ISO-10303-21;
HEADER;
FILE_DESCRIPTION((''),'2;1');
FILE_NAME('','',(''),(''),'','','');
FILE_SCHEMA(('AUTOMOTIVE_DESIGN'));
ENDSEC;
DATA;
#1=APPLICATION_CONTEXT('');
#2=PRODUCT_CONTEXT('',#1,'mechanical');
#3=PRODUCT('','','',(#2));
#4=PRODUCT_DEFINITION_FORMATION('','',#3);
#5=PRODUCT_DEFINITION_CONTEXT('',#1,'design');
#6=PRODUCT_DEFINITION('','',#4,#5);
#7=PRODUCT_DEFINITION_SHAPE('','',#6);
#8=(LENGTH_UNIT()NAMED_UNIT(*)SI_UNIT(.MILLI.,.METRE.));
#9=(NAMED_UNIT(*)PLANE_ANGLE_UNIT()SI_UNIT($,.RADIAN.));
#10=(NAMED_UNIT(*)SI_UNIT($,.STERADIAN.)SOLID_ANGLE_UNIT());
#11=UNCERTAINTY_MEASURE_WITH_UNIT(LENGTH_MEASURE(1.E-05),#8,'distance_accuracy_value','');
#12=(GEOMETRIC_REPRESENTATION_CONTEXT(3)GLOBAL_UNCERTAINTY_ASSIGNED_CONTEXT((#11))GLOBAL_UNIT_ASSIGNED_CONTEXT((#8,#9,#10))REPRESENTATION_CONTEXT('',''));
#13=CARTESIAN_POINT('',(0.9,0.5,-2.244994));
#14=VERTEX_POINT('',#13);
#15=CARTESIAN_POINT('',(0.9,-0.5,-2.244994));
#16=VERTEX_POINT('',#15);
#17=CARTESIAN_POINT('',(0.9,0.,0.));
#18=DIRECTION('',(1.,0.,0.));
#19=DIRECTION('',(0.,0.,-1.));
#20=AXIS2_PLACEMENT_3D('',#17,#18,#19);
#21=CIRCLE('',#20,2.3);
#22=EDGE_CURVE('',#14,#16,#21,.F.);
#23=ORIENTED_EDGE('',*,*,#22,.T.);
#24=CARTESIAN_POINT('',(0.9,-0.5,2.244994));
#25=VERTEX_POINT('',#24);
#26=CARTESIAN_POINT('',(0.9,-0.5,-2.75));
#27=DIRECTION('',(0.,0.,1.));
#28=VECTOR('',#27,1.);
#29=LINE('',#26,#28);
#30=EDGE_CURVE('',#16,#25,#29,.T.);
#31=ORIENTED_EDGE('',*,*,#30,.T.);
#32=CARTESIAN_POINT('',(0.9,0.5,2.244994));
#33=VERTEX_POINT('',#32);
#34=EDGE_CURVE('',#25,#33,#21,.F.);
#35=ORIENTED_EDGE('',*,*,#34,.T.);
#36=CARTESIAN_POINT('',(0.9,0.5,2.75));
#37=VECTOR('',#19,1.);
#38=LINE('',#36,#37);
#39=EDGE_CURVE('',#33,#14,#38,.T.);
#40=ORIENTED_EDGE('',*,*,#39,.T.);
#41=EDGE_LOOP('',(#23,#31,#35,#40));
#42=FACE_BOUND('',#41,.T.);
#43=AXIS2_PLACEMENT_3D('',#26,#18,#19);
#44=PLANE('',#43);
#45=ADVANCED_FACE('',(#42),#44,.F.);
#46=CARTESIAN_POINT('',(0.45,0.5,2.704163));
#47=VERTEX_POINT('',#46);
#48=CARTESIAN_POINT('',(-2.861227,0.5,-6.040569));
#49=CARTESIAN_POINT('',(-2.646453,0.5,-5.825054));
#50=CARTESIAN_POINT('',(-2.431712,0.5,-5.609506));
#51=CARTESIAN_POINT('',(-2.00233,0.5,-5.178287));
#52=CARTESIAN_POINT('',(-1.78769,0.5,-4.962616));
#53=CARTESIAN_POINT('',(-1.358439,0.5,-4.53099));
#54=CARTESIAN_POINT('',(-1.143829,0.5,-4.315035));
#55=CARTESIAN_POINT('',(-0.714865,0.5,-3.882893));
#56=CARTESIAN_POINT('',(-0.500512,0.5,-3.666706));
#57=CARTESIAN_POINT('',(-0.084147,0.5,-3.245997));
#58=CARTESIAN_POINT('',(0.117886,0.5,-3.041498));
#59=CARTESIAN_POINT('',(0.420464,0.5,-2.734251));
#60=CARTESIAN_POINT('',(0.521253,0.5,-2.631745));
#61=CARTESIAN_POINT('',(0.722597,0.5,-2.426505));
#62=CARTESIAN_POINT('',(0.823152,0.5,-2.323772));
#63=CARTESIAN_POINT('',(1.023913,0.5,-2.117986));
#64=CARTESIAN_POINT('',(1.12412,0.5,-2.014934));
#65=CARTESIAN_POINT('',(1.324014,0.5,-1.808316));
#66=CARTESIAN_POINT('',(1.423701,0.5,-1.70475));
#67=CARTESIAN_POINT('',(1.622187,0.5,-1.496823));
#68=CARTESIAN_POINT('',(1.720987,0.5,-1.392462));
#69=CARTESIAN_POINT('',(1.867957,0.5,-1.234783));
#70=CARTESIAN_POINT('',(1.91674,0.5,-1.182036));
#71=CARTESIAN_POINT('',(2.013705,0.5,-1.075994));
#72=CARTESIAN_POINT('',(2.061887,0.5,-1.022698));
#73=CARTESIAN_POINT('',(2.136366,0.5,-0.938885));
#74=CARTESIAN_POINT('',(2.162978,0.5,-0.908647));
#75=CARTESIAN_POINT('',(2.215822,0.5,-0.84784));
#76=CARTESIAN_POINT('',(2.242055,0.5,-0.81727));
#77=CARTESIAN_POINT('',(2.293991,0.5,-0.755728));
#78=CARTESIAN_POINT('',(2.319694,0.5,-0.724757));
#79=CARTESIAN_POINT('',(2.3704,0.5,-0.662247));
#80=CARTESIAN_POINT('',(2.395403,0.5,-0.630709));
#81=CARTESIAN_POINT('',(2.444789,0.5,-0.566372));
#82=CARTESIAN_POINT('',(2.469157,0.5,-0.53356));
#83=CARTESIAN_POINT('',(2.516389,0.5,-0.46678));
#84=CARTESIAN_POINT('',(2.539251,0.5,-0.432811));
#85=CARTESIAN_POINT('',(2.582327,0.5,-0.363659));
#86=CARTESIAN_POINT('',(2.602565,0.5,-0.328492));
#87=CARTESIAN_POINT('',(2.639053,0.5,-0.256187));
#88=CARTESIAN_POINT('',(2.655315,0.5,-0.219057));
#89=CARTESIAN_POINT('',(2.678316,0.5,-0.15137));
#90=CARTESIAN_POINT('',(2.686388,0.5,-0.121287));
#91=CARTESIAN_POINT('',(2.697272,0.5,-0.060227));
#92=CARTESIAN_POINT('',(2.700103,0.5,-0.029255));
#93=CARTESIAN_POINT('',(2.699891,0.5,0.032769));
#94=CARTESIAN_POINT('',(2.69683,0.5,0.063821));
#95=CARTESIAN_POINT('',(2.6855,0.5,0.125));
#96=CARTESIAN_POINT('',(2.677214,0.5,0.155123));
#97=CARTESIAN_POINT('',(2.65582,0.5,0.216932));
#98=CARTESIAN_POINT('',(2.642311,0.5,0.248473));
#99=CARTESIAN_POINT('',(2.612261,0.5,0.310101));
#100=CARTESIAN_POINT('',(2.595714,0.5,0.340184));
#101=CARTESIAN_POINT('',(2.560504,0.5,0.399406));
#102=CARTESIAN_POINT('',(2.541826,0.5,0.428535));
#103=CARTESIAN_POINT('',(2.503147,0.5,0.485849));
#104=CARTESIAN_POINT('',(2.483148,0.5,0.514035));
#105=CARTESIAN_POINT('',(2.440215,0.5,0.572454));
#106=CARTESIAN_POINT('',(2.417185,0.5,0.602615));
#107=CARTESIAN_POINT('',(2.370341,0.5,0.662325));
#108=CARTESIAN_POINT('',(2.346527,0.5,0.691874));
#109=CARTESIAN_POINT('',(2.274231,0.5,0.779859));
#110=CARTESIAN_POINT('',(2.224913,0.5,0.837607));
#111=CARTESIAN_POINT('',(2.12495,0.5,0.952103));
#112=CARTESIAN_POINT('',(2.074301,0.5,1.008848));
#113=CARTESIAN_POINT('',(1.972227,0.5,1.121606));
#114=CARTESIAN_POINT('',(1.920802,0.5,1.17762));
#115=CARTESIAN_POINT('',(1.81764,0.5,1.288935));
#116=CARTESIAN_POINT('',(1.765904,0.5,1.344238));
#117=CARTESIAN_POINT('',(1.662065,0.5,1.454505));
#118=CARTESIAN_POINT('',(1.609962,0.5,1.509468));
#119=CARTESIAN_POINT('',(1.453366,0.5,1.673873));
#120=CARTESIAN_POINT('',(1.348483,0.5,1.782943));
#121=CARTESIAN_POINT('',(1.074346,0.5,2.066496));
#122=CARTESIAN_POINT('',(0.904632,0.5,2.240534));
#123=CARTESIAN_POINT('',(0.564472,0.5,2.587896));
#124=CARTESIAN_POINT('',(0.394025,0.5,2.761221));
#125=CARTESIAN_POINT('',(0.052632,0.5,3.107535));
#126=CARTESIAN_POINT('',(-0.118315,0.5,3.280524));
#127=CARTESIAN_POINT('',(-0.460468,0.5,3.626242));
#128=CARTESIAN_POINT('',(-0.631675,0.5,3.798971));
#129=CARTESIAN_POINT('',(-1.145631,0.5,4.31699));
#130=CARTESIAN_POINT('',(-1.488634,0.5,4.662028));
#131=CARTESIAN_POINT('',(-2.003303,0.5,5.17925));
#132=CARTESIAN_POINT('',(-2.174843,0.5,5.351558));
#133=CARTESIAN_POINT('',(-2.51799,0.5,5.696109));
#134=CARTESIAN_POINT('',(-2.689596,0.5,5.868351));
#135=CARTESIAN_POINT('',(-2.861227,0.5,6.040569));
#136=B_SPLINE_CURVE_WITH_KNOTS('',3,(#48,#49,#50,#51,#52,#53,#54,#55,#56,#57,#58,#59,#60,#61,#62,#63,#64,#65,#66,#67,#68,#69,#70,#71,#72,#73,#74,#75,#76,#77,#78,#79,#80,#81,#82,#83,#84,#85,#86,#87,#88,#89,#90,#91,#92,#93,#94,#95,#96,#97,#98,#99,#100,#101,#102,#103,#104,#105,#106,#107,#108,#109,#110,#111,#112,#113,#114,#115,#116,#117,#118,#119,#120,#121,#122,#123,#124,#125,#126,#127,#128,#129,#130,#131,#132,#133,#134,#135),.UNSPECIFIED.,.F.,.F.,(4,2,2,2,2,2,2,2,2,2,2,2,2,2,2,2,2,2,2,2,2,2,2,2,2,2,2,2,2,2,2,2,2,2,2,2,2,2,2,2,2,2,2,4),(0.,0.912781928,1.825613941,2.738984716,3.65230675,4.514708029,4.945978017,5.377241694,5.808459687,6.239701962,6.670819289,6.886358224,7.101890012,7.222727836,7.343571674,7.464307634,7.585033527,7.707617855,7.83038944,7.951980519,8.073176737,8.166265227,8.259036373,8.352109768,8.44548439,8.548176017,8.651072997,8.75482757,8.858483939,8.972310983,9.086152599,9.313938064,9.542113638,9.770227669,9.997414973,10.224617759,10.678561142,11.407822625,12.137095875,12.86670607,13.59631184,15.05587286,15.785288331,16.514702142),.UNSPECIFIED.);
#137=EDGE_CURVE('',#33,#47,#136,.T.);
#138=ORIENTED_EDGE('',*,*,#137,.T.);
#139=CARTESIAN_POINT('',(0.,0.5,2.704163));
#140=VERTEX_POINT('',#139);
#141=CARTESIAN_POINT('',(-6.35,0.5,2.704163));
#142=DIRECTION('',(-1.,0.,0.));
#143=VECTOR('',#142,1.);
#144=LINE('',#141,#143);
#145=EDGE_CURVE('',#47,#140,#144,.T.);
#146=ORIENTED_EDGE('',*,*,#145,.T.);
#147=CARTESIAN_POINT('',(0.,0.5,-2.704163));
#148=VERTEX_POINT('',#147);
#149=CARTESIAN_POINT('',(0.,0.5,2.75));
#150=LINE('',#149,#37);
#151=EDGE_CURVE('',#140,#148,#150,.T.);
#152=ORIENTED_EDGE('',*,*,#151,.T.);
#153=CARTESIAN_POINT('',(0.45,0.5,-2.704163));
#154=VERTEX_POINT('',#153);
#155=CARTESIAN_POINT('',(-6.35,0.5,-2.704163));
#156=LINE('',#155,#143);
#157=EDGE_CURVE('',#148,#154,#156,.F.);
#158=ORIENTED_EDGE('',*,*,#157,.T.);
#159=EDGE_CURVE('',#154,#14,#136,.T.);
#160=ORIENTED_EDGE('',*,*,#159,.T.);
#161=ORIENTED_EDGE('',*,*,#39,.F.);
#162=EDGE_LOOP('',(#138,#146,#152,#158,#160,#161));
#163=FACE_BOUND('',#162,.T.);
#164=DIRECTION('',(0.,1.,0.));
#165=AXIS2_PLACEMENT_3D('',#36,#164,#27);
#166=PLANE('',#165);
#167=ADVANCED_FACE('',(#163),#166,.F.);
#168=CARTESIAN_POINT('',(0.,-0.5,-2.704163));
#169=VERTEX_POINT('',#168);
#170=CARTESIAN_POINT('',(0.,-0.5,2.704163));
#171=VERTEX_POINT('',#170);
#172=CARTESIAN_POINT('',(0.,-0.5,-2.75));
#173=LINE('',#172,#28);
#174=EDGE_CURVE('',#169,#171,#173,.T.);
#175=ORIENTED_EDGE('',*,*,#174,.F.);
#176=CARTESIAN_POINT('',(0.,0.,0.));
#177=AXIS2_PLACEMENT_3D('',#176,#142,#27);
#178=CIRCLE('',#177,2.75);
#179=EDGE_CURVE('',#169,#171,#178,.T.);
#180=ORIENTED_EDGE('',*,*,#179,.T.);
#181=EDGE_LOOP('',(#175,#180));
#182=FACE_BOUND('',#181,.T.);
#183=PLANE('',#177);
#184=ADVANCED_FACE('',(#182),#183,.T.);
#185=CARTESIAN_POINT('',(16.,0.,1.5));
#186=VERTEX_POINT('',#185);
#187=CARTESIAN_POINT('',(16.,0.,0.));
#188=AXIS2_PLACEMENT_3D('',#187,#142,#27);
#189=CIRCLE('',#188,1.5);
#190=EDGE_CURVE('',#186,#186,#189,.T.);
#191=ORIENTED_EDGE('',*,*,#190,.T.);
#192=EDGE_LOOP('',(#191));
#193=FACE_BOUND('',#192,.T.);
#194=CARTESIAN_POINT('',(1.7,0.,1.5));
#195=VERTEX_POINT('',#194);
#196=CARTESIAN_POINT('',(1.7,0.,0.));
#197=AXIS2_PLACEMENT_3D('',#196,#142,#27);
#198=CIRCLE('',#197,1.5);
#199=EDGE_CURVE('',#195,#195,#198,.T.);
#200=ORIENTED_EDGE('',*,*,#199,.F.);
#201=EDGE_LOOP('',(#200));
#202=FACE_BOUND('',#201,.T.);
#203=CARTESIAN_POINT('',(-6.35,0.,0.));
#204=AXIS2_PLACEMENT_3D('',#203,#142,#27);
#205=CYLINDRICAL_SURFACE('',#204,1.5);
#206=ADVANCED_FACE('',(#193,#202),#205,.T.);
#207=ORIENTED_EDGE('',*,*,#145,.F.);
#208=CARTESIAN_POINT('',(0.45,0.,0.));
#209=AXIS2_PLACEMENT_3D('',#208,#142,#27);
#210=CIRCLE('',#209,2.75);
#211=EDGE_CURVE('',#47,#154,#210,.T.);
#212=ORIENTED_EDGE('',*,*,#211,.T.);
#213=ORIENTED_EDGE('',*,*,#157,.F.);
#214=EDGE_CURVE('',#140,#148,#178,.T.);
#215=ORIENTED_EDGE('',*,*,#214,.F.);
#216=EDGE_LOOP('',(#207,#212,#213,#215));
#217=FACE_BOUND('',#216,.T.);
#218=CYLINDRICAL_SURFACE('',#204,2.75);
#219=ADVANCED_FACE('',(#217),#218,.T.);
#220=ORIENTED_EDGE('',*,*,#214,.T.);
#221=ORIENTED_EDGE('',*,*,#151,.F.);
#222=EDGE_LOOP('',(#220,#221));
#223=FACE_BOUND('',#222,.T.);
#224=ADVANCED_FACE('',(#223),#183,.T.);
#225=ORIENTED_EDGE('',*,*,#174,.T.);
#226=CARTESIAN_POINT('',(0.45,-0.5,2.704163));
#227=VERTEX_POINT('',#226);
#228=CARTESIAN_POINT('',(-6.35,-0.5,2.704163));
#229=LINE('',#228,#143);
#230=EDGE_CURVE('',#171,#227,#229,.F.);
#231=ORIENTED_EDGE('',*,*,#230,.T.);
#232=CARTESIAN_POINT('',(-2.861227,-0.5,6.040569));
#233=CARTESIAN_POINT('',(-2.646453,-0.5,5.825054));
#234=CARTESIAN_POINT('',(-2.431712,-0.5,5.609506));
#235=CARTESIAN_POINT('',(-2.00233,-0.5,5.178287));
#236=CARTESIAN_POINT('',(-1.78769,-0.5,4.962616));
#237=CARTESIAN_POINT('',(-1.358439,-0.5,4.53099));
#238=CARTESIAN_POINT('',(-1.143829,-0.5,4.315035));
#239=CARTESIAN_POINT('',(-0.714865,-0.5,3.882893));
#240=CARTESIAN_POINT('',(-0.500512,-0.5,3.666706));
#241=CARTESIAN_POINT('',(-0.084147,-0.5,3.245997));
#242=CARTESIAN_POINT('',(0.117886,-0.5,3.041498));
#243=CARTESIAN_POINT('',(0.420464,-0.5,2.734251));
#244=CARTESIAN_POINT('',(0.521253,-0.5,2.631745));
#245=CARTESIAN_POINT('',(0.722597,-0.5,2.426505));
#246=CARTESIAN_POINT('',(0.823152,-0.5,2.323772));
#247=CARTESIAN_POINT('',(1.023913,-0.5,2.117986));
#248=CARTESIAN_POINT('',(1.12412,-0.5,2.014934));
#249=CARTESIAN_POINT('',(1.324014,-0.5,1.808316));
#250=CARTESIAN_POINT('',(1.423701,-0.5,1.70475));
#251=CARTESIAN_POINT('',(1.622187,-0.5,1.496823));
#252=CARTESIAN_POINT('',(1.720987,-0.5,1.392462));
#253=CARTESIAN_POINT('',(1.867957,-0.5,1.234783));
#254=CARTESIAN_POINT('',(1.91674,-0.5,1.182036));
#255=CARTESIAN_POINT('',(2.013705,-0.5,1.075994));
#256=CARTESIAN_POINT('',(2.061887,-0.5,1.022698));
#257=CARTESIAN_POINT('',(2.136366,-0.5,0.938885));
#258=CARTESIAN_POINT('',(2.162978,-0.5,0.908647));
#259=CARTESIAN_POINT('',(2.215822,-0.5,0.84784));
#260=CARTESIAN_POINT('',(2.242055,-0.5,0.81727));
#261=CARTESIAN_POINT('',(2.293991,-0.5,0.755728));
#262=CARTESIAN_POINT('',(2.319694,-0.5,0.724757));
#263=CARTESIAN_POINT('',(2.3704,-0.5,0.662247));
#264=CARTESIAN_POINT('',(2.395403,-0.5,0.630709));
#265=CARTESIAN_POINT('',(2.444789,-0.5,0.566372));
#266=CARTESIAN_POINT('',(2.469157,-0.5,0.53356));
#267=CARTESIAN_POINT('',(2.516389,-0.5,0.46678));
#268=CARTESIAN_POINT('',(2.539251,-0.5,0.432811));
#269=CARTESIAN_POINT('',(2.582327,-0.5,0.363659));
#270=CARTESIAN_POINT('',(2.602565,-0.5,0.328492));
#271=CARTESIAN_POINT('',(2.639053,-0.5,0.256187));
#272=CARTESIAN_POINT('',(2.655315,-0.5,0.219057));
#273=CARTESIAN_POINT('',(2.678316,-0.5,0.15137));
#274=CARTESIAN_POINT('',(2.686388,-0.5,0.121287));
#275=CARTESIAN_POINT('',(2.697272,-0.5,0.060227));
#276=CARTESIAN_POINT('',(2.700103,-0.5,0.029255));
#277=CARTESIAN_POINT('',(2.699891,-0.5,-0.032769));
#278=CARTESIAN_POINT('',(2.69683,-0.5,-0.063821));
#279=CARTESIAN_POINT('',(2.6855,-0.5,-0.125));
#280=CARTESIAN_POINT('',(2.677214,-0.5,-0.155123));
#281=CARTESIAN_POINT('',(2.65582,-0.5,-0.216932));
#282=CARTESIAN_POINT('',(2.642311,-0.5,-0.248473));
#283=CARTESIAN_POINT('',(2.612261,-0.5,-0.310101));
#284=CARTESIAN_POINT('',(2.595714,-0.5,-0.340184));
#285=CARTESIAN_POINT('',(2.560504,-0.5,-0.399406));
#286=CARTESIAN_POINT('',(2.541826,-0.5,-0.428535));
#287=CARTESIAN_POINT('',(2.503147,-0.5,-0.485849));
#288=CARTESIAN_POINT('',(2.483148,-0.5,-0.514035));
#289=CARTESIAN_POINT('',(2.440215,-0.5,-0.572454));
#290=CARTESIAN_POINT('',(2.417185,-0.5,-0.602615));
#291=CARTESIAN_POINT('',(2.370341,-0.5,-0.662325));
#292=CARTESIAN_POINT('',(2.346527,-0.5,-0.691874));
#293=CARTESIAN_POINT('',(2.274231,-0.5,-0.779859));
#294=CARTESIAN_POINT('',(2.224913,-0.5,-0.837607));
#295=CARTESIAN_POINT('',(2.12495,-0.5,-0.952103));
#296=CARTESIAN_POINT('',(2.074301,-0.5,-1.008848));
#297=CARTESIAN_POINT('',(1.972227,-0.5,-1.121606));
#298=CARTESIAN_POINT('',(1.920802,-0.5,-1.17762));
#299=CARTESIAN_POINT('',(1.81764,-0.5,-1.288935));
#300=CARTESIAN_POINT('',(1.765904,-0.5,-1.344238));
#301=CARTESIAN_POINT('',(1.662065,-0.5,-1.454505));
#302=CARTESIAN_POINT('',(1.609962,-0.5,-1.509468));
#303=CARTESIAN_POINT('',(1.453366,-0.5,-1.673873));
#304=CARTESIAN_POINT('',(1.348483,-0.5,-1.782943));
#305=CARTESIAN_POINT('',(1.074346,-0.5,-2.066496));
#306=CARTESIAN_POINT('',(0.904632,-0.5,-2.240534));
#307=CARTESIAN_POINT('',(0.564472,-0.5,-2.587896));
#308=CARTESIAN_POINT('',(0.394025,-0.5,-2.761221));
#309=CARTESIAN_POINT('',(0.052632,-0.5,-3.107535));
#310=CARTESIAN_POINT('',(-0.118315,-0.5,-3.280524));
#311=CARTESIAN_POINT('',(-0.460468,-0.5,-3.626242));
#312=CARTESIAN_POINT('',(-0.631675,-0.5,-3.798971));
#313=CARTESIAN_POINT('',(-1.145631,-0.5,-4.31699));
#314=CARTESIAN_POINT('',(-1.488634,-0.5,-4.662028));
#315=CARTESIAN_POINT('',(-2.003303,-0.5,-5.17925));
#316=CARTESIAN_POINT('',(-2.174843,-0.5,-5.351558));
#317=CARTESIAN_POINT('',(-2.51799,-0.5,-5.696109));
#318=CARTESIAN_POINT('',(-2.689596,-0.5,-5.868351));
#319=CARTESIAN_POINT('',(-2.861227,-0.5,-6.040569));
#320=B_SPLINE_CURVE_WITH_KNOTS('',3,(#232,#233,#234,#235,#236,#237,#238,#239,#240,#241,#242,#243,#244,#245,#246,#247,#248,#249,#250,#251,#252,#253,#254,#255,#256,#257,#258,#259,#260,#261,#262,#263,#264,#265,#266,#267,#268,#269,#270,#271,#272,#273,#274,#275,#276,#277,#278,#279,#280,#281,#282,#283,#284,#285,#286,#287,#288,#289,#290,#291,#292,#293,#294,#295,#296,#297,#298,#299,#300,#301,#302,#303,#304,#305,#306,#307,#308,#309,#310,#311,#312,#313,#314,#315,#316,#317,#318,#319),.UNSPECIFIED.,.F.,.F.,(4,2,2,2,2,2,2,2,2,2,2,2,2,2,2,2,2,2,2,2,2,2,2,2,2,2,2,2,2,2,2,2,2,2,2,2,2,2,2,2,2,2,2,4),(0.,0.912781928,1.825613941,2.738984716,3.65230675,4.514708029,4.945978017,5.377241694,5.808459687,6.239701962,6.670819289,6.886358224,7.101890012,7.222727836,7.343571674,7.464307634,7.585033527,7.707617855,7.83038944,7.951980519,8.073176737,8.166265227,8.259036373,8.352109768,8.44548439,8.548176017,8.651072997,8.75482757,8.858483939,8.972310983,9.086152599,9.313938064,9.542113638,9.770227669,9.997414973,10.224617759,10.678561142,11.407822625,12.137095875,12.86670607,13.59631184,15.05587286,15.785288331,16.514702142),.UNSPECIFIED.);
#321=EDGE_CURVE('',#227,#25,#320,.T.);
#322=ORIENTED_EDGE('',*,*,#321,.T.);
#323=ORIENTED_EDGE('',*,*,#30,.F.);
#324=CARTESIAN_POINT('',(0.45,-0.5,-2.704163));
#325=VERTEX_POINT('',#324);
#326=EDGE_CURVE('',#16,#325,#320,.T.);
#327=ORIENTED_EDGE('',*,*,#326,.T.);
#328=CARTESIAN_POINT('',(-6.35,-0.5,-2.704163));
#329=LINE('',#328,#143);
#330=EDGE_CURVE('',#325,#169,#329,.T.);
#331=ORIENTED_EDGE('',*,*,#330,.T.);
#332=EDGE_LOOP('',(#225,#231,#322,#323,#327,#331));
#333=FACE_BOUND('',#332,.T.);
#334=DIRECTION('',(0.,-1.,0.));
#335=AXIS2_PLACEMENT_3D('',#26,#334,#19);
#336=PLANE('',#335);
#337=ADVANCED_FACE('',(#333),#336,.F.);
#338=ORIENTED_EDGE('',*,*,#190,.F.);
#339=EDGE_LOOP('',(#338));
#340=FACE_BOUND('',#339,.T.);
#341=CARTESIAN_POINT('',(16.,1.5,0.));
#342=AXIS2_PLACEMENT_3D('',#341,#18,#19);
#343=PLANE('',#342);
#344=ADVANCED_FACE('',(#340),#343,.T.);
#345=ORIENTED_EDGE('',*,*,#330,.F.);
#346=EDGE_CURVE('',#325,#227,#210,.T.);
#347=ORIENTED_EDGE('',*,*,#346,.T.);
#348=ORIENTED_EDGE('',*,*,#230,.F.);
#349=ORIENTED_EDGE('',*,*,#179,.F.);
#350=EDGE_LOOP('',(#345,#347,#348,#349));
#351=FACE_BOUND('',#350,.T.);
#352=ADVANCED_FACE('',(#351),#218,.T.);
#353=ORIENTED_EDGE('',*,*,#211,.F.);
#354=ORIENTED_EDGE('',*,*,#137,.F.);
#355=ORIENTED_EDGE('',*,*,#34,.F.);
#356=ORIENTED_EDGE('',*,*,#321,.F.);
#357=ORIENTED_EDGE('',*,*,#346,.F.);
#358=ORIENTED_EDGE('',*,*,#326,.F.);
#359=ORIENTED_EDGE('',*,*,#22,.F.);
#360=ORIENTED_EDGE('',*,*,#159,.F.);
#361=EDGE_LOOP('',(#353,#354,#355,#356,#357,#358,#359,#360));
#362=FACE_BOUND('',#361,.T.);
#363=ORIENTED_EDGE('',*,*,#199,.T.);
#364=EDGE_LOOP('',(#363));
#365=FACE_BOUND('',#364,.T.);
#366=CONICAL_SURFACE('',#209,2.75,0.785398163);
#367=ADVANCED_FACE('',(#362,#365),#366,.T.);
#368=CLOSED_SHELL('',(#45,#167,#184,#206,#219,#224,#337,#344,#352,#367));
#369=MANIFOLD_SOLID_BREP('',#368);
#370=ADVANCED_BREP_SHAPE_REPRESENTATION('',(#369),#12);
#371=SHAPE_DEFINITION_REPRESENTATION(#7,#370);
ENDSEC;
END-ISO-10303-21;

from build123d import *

# Parameters (mm, degrees)
SKETCH2_W  = 5.5
SKETCH2_H  = 1
SLOT_DEPTH = 0.9


with BuildPart() as part:
    # BodySke → Base-Revolve (revolve)
    with BuildSketch(Plane.XY, mode=Mode.PRIVATE) as base_revolve_sk:
        Polygon((0, 0), (0, 2.75), (0.45, 2.75), (1.7, 1.5), (16, 1.5), (16, 0), align=None)
    revolve(base_revolve_sk.sketch.rotate(Axis((-6.35, 0, 0), (1, 0, 0)), 90), axis=Axis((-6.35, 0, 0), (1, 0, 0)))

    # Sketch2 → Slot (cut)
    with BuildSketch(Plane.ZY):
        Rectangle(SKETCH2_W, SKETCH2_H)
    extrude(amount=-SLOT_DEPTH, mode=Mode.SUBTRACT)


solid = part.part
